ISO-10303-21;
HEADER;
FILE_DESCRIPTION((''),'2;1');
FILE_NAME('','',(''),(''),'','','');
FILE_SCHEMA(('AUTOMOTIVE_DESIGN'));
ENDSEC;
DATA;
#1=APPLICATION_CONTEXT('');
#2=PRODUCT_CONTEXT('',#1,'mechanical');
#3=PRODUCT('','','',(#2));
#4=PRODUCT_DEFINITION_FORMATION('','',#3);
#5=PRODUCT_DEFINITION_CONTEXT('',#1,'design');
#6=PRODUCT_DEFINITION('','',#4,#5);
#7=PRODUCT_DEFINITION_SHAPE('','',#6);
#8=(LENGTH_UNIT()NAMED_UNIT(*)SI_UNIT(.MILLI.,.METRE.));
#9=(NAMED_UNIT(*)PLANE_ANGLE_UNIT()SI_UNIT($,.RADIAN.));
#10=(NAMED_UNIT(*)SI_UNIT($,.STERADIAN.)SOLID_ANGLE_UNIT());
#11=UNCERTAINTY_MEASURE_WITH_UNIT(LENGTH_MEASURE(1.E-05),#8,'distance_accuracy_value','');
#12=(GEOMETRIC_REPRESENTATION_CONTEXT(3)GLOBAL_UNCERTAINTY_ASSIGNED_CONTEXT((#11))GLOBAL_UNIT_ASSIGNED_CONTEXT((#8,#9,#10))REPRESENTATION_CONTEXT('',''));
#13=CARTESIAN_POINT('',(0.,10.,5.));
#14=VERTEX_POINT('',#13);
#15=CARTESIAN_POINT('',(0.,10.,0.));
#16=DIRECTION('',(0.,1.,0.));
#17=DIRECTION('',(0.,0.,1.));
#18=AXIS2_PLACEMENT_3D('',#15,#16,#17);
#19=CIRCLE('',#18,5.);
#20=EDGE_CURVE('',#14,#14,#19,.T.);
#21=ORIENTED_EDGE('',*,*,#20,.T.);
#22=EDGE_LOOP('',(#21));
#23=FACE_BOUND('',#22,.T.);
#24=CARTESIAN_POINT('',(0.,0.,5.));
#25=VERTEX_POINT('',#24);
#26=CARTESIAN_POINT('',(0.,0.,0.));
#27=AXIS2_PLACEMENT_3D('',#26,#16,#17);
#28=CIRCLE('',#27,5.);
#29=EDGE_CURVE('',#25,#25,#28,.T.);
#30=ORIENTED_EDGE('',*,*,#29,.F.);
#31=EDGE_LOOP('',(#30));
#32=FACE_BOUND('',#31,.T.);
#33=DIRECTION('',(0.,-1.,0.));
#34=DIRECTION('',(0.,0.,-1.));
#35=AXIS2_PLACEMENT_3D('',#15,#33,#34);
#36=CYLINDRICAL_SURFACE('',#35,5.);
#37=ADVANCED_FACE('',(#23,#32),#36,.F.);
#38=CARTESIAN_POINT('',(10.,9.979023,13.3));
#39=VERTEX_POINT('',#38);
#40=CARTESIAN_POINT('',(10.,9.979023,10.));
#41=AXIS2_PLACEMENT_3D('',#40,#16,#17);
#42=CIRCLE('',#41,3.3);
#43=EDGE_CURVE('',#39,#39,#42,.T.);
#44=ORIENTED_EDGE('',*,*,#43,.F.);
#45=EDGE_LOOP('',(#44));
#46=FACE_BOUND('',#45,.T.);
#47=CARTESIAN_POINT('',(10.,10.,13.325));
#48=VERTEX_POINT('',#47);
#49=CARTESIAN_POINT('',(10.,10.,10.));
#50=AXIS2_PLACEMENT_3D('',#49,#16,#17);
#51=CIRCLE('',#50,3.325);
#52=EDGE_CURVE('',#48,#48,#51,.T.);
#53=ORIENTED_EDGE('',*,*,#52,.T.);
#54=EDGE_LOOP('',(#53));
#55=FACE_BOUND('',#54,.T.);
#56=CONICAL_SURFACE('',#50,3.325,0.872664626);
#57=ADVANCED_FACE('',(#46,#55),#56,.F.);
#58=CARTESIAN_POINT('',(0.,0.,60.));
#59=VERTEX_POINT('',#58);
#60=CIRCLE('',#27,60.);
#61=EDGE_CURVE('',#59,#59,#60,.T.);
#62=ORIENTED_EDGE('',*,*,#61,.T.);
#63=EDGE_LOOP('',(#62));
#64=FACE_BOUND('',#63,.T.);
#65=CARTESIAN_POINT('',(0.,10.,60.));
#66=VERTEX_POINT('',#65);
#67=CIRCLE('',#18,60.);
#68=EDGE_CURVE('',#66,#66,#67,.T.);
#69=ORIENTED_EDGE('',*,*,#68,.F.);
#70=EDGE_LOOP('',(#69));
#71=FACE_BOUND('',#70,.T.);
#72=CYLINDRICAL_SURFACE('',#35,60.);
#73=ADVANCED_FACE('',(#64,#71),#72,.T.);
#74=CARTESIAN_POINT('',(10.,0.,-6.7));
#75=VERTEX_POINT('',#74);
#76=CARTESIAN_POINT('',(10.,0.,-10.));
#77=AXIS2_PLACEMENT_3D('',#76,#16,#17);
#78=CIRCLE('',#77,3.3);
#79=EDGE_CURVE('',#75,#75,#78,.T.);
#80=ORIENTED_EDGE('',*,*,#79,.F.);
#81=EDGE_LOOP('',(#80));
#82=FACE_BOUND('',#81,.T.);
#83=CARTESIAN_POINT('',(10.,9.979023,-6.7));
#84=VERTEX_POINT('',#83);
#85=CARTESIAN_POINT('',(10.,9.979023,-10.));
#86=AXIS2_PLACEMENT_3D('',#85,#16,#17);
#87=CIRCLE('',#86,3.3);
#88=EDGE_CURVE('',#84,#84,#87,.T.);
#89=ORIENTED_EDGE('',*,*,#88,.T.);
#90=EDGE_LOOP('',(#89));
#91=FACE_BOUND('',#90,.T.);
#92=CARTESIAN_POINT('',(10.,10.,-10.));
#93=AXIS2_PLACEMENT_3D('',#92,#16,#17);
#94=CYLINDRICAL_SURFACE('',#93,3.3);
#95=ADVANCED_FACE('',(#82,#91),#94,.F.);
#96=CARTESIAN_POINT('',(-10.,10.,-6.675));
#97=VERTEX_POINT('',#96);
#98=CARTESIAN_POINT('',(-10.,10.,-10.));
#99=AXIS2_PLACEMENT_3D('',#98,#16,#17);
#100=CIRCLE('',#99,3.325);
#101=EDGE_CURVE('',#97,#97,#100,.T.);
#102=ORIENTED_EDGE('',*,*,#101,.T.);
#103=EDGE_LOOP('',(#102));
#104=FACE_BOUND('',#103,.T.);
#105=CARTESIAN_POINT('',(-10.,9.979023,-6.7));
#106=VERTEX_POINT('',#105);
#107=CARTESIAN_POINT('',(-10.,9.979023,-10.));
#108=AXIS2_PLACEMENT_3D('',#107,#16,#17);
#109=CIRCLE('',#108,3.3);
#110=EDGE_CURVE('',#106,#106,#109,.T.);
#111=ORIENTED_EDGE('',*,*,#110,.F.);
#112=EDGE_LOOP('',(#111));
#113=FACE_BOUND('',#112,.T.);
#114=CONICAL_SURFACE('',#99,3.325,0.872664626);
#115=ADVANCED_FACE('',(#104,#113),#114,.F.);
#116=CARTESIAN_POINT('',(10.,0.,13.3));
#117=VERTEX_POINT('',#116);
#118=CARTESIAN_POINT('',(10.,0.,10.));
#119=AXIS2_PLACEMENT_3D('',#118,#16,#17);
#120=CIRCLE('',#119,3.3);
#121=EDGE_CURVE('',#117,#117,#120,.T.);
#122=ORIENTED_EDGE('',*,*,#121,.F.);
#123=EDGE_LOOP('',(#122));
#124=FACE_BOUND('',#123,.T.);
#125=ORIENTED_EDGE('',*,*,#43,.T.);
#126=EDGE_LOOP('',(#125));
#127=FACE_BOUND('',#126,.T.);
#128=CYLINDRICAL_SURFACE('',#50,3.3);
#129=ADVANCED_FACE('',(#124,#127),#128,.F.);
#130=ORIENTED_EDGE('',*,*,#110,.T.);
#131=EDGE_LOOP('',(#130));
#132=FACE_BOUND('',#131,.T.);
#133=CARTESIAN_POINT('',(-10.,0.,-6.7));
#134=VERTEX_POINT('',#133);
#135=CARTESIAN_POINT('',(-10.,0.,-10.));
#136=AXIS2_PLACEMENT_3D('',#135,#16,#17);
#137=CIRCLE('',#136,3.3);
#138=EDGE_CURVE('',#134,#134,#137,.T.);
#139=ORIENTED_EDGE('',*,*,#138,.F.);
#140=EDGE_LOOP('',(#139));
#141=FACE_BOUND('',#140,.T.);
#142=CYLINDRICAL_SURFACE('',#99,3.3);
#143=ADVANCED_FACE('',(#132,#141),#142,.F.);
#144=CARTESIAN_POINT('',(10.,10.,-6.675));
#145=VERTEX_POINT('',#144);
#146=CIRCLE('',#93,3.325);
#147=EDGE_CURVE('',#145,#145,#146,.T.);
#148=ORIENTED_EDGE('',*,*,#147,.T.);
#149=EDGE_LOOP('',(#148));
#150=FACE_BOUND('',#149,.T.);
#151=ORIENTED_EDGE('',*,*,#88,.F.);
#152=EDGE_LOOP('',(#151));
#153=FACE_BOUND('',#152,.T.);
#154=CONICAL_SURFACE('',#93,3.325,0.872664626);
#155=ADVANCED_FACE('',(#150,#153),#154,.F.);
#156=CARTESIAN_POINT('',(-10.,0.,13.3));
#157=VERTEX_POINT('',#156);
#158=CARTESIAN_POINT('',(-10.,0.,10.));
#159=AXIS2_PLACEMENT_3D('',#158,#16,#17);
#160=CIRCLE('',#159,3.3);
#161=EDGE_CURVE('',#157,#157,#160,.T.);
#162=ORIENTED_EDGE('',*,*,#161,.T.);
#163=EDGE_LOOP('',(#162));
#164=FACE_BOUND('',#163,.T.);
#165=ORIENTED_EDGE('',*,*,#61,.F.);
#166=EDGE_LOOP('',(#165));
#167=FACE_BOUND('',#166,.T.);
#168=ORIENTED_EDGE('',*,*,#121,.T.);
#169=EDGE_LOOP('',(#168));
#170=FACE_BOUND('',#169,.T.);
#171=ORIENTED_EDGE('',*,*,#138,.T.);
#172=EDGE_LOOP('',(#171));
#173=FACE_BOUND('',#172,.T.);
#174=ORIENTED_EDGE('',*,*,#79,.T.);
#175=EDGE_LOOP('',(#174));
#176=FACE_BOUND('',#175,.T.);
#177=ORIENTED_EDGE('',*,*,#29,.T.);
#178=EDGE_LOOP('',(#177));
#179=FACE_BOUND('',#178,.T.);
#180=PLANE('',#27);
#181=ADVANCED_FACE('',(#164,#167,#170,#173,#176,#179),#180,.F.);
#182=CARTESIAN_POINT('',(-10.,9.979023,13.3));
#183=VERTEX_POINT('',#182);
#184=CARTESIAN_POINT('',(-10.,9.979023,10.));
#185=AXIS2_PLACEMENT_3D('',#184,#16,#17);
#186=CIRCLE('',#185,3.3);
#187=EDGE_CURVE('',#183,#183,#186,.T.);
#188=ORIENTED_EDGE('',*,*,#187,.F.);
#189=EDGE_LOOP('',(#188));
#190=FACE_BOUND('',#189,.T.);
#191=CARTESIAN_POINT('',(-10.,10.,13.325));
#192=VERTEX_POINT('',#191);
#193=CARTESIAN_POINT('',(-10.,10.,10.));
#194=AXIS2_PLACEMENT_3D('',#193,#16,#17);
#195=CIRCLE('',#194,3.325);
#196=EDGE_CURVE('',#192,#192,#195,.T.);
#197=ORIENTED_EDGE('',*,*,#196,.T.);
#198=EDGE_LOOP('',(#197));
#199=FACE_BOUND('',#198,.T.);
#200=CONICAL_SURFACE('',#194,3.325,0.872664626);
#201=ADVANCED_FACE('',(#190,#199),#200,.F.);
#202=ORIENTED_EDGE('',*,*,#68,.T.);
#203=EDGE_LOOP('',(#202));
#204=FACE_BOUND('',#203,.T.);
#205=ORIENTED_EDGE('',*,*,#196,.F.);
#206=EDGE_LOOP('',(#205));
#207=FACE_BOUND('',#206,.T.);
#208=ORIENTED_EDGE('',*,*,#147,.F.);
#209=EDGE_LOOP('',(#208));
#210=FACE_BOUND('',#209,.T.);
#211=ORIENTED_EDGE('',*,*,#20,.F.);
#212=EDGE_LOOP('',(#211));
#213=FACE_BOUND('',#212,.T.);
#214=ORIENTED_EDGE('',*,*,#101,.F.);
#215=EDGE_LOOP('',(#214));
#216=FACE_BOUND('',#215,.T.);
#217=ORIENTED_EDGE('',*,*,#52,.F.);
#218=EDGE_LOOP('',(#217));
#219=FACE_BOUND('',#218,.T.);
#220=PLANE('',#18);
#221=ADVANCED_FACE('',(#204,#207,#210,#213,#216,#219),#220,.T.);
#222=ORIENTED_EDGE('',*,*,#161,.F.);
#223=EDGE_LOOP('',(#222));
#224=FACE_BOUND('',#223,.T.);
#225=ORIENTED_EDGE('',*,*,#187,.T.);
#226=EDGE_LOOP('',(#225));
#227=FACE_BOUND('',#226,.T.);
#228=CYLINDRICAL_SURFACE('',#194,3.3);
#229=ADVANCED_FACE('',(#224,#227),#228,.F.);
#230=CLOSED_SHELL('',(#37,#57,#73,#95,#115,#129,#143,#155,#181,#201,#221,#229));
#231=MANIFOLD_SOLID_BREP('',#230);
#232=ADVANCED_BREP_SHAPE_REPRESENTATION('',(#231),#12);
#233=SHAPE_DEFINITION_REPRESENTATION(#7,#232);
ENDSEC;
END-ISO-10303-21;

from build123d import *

# Parameters (mm, degrees)
SKETCH1_R                      = 60
SKETCH1_R_2                    = 5
BOSS_EXTRUDE1_DEPTH            = 10
M6_CLEARANCE_HOLE1_D           = 6.6
M6_CLEARANCE_HOLE1_CSINK_D     = 6.65
M6_CLEARANCE_HOLE1_CSINK_ANGLE = 100


with BuildPart() as part:
    # Sketch1 → Boss-Extrude1 (new body)
    with BuildSketch(Plane(origin=(0, 0, 0), x_dir=(1, 0, 0), z_dir=(0, 1, 0))):
        with Locations(Location((0, 0, 0), (0, 0, 270))):
            Circle(SKETCH1_R)
        with Locations(Location((0, 0, 0), (0, 0, 270))):
            Circle(SKETCH1_R_2, mode=Mode.SUBTRACT)
    extrude(amount=BOSS_EXTRUDE1_DEPTH)

    # M6 Clearance Hole1 (through all)
    with Locations(Plane(origin=(0, 10, 0), x_dir=(1, 0, 0), z_dir=(0, 1, 0))):
        with Locations((-10, 10), (10, 10), (-10, -10), (10, -10)):
            CounterSinkHole(M6_CLEARANCE_HOLE1_D / 2, M6_CLEARANCE_HOLE1_CSINK_D / 2, counter_sink_angle=M6_CLEARANCE_HOLE1_CSINK_ANGLE)


solid = part.part
